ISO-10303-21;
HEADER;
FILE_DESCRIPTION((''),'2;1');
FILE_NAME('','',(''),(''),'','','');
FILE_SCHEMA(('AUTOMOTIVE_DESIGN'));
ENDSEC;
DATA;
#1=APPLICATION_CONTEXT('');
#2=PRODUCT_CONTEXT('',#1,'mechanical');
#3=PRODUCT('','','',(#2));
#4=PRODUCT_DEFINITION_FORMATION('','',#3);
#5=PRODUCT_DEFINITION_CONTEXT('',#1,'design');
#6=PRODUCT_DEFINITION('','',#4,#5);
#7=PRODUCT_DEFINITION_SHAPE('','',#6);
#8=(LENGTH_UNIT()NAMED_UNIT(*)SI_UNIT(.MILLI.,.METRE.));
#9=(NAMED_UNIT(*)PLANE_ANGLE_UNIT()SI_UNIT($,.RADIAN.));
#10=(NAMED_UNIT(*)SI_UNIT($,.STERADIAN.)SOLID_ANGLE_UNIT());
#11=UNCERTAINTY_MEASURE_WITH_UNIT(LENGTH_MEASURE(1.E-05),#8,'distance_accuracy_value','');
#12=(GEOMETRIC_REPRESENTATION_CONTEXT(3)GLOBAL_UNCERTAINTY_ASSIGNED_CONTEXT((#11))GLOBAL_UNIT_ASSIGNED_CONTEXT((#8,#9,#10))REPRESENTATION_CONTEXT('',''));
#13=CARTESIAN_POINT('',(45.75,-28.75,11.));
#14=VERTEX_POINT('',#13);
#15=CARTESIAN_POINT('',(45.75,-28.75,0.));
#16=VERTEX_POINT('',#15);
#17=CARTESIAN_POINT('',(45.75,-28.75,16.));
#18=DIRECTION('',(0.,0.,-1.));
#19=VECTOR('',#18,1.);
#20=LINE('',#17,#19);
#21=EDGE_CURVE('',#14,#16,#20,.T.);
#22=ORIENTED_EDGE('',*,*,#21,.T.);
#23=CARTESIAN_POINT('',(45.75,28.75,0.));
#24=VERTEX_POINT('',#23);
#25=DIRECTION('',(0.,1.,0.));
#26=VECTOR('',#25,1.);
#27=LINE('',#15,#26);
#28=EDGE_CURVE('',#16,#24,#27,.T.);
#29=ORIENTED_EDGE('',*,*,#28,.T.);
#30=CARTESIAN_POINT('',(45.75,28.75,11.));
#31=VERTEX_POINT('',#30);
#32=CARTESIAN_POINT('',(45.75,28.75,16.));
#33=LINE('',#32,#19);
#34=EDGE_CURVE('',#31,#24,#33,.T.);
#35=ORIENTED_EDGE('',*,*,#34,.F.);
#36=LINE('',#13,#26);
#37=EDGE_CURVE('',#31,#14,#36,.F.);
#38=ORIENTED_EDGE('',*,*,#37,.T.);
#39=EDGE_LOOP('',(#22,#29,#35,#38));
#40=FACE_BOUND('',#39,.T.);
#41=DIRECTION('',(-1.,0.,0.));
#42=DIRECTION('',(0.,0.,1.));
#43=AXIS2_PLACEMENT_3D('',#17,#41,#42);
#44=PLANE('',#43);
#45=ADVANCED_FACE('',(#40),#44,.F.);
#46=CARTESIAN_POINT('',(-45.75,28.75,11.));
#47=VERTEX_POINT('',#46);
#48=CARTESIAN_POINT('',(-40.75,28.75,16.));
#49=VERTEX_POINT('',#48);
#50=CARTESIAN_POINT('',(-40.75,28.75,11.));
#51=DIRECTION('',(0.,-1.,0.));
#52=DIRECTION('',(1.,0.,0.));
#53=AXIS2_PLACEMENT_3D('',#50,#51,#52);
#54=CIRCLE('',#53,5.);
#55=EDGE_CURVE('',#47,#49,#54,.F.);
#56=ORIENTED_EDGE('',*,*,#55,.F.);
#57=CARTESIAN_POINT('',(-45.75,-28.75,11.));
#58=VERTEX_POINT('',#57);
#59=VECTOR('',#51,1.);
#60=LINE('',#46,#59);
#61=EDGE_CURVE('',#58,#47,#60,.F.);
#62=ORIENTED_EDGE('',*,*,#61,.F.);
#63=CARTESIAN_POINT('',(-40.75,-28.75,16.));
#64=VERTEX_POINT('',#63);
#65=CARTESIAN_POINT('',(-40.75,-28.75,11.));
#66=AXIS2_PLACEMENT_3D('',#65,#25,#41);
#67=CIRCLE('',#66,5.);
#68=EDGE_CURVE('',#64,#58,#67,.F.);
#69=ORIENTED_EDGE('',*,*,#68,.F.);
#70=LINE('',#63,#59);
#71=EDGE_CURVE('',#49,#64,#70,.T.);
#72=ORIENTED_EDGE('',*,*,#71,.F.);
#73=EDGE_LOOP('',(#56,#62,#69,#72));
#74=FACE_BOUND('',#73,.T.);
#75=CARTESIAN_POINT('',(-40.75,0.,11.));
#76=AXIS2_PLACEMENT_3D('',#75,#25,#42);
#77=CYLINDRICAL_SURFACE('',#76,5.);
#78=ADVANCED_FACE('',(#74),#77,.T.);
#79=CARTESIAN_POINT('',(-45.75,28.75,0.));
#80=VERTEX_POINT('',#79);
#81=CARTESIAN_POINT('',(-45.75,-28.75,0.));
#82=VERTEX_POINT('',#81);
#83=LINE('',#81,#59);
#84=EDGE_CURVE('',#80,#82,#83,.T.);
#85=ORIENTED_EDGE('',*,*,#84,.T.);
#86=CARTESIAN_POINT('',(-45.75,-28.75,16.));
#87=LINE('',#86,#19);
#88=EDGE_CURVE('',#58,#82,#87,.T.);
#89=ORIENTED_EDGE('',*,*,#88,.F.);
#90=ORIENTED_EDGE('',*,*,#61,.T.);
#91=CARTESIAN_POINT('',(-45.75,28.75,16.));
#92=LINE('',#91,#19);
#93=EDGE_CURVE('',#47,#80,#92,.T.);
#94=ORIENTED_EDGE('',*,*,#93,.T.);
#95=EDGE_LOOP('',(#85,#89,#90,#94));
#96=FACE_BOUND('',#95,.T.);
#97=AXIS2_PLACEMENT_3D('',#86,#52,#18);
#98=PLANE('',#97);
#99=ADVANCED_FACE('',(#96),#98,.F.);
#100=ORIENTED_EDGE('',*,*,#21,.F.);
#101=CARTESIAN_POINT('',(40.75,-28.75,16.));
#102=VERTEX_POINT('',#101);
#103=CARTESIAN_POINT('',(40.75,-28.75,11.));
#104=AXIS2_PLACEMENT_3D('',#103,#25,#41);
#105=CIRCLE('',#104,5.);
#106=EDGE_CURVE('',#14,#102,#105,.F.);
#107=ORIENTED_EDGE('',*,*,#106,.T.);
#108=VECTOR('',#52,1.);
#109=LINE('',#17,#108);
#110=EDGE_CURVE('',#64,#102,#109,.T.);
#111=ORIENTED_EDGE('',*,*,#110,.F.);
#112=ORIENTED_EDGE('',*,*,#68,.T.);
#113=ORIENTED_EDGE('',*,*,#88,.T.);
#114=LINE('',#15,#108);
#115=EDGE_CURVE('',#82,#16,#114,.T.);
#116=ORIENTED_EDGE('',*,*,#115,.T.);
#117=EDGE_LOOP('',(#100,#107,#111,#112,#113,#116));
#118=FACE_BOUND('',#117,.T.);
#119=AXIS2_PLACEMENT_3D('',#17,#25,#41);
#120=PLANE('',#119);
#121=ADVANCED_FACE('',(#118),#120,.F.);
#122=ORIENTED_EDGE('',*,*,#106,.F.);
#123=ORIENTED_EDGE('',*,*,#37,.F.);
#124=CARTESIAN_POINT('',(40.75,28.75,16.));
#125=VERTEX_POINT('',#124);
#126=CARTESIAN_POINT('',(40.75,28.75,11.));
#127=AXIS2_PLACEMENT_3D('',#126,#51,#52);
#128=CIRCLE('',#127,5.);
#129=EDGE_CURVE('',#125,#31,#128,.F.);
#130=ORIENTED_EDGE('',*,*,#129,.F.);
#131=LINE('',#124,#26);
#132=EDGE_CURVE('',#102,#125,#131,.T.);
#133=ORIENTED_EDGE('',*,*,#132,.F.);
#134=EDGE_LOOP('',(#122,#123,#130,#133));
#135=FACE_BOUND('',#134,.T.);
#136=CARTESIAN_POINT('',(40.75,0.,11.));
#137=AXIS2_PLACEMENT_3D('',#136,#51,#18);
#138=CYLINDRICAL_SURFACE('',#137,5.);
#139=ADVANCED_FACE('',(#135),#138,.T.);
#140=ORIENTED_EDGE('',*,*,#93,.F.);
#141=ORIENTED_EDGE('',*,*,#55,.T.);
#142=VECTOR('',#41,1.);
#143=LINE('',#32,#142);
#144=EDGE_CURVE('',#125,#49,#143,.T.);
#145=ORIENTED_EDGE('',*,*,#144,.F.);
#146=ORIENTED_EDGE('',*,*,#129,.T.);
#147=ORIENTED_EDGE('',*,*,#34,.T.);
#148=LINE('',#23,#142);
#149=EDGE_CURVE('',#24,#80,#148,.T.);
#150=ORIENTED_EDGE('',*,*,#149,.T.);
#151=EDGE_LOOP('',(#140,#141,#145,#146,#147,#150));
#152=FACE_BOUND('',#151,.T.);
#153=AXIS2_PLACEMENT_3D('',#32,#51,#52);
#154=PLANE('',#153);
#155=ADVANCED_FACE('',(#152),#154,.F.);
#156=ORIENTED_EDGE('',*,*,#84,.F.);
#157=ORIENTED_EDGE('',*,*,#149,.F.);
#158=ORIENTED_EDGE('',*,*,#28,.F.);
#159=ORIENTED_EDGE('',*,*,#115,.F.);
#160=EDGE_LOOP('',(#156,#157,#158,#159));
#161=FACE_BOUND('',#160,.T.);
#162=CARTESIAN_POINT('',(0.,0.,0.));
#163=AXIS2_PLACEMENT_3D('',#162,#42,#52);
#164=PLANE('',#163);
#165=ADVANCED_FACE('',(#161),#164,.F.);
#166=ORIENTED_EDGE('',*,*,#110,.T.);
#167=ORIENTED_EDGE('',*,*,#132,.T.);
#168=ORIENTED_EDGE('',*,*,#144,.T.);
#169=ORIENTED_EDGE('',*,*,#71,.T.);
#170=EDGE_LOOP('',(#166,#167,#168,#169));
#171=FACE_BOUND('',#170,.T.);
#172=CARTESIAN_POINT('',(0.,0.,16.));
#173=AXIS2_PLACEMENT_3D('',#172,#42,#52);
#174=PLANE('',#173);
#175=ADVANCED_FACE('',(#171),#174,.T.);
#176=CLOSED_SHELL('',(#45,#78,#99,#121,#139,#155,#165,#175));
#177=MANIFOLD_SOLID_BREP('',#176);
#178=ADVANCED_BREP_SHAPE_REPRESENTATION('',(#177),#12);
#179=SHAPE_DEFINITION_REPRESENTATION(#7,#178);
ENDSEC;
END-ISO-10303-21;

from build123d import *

# Parameters (mm, degrees)
SKETCH1_W           = 91.5
SKETCH1_H           = 57.5
BOSS_EXTRUDE1_DEPTH = 16
FILLET1_R           = 5


with BuildPart() as part:
    # Sketch1 → Boss-Extrude1 (new body)
    with BuildSketch(Plane.XY):
        Rectangle(SKETCH1_W, SKETCH1_H)
    extrude(amount=BOSS_EXTRUDE1_DEPTH)

    # Fillet1
    fillet1_edges = [part.edges().sort_by_distance(p)[0] for p in [
        (45.75, 0, 16),
        (-45.75, 0, 16),
    ]]
    fillet(fillet1_edges, radius=FILLET1_R)


solid = part.part
